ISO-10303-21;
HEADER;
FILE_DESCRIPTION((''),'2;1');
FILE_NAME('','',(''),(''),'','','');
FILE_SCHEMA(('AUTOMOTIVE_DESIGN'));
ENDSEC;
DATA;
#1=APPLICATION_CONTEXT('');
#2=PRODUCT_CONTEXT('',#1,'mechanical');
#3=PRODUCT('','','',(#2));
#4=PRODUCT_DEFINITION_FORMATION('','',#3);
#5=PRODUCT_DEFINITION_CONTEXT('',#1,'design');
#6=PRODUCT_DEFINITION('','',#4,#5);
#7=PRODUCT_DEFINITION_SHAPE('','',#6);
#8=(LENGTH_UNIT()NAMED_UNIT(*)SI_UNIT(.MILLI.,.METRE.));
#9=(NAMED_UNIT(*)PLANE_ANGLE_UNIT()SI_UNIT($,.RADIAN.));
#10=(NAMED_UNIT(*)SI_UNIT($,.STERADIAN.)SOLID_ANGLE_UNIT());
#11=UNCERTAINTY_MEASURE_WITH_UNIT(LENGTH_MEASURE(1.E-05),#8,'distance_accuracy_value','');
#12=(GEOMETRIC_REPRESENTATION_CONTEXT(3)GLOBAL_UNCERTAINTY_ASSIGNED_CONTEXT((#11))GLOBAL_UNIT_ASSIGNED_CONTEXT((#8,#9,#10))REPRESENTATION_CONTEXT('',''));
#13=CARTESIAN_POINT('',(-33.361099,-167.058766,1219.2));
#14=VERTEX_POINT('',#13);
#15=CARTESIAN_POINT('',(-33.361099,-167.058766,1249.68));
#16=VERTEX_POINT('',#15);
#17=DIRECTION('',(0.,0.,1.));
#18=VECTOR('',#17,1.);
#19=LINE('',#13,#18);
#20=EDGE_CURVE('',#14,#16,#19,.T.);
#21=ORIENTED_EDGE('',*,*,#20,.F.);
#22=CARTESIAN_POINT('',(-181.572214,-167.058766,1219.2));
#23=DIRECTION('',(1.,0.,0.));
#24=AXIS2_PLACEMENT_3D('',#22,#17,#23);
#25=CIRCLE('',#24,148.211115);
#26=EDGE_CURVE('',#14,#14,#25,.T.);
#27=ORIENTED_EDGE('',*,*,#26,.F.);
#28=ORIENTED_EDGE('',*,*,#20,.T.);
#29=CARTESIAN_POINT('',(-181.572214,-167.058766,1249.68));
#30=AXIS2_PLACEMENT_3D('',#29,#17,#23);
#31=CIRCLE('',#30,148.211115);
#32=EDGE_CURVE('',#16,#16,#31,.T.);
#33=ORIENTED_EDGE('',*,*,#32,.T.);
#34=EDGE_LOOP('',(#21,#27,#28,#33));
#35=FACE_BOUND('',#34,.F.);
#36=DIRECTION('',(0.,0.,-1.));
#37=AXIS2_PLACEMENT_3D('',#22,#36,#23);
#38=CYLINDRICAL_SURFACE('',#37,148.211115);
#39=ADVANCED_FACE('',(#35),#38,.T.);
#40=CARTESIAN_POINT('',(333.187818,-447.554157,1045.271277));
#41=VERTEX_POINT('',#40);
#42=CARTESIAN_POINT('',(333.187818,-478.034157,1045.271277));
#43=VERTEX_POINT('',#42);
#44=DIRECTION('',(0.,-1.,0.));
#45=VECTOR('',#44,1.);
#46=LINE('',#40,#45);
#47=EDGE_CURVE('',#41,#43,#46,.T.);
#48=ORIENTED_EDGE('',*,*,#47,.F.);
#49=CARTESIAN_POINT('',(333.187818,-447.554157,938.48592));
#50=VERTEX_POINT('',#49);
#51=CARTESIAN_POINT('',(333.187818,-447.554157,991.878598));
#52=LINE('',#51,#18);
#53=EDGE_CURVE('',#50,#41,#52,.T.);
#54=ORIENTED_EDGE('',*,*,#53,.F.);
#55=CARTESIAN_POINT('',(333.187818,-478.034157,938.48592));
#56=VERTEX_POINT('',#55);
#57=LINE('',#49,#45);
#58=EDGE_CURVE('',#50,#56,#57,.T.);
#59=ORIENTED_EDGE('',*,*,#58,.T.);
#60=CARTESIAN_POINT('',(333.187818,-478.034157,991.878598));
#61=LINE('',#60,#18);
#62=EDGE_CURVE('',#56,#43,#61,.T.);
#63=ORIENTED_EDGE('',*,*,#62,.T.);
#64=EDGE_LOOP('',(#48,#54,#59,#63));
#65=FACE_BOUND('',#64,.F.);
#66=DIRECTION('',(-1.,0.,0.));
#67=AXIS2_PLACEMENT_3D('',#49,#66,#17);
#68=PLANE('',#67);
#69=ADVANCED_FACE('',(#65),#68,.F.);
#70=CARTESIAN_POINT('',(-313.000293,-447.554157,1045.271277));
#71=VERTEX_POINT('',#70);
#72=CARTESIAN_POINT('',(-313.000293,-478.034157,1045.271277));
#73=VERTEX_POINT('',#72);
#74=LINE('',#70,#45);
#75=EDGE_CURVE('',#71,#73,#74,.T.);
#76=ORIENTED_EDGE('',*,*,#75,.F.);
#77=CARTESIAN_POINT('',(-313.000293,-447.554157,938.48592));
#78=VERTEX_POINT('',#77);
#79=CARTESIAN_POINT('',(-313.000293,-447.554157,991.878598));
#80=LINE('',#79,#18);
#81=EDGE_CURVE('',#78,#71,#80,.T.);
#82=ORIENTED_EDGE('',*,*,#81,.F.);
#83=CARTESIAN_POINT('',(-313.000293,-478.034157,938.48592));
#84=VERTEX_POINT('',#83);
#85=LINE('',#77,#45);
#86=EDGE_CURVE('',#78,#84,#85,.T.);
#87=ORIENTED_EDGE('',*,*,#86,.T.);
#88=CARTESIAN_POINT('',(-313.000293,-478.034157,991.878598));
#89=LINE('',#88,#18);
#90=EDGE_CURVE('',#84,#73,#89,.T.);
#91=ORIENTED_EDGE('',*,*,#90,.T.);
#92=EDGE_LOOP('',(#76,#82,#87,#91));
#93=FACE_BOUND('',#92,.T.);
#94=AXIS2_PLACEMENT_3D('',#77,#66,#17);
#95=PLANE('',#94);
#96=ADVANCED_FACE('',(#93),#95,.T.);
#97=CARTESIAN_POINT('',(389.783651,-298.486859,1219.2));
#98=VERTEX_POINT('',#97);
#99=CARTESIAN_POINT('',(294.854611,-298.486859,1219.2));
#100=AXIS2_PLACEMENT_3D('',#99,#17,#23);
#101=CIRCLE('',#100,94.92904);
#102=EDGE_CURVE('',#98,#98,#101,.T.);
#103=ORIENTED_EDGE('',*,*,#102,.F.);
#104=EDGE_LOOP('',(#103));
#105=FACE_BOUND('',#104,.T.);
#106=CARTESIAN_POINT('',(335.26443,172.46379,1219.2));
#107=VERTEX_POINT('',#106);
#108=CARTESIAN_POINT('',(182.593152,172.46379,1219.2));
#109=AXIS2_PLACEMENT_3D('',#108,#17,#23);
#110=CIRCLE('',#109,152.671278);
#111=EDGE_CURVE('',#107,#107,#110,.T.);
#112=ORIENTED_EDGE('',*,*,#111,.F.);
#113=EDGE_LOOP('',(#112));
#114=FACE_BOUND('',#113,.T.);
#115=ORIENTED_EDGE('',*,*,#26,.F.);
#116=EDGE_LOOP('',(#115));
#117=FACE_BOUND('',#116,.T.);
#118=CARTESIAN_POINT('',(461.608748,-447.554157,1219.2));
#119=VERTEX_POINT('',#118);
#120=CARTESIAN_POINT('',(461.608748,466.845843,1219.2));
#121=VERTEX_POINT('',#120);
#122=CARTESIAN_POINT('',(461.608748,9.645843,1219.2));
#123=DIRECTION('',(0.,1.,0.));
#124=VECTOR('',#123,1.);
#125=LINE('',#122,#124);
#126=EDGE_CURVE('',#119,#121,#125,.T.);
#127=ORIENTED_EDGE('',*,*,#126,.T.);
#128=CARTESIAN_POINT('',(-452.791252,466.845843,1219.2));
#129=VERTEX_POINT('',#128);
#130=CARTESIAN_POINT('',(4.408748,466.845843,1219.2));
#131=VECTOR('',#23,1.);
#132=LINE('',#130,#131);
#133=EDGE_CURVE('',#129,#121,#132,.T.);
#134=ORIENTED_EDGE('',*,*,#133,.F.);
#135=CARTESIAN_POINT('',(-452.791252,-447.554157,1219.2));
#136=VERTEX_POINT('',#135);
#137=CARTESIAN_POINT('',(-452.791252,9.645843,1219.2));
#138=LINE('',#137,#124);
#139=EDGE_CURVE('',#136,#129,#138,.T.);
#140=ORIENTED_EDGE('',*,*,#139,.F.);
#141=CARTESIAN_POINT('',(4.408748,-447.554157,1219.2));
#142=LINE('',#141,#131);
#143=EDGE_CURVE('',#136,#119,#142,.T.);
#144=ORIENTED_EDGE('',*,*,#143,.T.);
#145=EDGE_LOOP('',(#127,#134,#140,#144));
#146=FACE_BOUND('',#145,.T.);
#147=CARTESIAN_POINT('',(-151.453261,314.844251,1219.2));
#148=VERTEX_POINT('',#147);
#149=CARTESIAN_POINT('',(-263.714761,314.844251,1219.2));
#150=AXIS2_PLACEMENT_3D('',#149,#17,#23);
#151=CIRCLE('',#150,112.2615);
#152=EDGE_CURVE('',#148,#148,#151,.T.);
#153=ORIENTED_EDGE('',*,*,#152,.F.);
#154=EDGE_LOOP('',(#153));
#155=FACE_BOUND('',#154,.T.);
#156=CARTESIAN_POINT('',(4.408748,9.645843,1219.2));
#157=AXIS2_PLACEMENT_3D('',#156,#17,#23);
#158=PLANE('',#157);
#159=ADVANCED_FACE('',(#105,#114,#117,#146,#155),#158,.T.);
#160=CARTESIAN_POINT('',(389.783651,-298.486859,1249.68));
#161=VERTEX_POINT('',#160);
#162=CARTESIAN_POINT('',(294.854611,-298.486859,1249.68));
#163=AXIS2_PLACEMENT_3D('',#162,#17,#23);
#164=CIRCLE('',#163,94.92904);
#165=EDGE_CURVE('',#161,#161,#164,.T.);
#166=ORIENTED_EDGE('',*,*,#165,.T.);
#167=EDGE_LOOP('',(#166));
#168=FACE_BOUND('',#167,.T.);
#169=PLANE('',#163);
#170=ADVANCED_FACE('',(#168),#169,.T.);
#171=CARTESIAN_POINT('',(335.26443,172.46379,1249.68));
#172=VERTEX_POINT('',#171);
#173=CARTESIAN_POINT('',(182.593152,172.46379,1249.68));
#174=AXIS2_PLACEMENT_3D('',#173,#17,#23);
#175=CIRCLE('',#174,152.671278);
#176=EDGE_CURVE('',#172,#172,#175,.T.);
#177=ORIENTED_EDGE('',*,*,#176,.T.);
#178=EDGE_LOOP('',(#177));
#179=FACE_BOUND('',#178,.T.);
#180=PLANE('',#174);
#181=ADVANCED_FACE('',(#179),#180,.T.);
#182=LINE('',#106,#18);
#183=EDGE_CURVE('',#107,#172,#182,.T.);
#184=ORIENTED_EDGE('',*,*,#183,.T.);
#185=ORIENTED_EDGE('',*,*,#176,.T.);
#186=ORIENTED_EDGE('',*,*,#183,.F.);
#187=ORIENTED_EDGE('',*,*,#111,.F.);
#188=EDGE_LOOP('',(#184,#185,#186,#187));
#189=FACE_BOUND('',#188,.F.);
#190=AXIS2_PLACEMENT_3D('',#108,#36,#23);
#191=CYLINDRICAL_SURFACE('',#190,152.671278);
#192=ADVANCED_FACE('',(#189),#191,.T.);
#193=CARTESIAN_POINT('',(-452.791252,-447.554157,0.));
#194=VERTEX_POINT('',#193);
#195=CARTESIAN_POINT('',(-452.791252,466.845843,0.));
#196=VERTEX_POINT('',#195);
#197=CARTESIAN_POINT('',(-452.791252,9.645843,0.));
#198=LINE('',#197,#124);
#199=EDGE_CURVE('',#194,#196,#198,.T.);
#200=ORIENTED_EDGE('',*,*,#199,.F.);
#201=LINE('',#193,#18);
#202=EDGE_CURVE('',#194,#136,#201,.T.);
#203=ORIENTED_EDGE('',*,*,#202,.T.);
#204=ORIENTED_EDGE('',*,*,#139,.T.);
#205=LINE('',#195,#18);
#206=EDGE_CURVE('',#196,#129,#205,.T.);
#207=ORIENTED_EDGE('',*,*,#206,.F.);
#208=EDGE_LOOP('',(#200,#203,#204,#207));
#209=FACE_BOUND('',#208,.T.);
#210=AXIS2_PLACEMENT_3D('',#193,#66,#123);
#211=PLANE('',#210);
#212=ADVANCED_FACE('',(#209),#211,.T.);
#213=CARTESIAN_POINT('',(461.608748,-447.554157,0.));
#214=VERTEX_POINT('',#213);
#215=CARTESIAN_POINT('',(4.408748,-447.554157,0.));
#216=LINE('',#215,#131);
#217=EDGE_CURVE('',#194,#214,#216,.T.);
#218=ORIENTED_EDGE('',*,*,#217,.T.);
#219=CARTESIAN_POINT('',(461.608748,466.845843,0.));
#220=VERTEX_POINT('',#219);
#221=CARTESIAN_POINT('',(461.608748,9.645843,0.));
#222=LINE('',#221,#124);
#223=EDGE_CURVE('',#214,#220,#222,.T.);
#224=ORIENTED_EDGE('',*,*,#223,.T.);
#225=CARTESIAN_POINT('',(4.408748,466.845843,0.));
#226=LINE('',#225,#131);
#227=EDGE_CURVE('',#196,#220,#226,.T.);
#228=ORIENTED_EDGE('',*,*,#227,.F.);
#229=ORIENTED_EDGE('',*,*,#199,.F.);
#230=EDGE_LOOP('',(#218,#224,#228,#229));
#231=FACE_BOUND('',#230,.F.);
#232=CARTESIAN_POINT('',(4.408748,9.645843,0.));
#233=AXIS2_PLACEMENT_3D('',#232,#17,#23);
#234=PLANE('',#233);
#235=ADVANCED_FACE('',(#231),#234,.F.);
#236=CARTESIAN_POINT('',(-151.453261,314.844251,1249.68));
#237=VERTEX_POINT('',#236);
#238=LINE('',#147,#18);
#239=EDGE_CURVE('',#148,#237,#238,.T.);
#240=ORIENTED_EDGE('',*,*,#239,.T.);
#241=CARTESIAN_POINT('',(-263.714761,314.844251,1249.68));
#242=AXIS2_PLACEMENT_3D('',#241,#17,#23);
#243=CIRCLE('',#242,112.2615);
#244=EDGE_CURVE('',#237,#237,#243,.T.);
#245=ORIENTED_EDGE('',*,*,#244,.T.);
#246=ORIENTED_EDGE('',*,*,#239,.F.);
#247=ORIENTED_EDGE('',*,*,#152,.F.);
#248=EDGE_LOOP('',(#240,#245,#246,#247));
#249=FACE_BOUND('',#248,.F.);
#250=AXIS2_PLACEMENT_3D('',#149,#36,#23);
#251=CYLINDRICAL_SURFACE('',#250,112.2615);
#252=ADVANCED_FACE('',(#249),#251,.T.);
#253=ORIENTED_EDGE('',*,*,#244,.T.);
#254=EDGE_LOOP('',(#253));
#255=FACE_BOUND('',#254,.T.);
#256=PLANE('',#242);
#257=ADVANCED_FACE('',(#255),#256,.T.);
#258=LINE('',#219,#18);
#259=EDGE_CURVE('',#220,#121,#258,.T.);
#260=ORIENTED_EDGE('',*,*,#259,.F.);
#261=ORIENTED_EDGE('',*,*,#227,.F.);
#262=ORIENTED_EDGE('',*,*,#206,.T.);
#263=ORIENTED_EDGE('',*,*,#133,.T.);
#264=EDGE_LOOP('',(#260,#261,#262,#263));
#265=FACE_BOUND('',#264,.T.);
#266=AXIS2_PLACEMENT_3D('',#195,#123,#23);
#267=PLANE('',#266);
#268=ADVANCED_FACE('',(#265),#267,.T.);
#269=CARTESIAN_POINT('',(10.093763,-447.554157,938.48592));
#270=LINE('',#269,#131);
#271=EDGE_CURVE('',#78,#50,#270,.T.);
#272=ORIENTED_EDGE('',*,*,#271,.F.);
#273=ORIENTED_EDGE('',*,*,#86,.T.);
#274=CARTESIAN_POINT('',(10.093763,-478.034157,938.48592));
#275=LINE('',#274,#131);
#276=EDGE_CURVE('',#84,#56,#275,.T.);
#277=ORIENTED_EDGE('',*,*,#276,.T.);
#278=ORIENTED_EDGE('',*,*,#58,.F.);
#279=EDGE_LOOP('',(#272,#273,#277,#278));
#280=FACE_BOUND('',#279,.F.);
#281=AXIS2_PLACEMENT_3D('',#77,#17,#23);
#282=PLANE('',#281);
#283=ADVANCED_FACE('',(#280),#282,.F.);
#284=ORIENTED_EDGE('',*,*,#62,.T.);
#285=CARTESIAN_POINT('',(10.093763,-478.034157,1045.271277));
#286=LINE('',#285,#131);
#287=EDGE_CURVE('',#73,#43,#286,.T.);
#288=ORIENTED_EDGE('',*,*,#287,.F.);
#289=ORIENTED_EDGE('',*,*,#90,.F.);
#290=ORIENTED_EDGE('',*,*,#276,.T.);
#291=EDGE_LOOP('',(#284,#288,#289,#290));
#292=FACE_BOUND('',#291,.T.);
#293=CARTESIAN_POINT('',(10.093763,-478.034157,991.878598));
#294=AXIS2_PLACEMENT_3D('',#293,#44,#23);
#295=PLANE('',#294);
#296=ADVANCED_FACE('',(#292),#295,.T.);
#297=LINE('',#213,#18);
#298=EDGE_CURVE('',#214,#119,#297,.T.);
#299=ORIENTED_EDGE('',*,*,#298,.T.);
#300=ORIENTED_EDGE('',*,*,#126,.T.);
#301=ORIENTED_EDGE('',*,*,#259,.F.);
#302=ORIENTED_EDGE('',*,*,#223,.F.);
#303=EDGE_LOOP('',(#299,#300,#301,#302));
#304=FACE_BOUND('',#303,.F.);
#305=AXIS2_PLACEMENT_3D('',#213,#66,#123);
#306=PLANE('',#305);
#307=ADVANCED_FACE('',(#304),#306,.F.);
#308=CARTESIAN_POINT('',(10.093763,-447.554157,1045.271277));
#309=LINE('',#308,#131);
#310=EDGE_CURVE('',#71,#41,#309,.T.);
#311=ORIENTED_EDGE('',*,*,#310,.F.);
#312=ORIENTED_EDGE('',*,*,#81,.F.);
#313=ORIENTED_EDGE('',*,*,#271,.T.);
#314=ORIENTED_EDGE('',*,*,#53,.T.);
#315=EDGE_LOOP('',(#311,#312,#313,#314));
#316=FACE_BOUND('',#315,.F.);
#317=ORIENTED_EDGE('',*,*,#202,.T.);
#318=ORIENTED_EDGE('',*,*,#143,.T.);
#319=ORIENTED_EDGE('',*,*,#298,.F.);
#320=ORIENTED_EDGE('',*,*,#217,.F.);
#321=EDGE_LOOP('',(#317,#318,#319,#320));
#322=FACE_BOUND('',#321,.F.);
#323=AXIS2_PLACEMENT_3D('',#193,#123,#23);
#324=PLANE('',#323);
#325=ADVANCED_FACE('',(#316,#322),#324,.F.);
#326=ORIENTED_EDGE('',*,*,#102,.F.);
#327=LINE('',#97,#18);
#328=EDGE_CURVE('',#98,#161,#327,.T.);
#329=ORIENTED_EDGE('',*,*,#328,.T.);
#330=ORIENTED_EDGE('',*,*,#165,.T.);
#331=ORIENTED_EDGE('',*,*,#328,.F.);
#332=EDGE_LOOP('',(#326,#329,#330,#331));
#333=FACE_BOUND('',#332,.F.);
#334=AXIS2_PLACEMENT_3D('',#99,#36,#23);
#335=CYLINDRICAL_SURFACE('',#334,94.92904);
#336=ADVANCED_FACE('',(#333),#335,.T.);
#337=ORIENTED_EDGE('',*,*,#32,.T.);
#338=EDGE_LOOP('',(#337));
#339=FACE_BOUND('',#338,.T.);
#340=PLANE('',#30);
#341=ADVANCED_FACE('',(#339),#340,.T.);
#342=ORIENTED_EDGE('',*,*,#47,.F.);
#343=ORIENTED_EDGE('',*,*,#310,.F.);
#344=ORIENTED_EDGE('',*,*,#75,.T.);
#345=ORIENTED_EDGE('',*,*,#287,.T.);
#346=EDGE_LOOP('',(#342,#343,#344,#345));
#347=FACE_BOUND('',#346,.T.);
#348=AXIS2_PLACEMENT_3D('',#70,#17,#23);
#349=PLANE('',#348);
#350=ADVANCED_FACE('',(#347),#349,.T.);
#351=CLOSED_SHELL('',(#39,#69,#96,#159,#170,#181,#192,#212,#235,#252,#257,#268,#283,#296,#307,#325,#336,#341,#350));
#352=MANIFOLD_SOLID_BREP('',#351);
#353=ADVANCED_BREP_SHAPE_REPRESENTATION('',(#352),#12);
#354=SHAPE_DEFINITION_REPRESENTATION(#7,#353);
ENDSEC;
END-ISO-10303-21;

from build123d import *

# Parameters (mm, degrees)
F0_W     = 914.4
F0_H     = 914.4
F1_DEPTH = 1219.2
F2_R     = 112.2615
F2_R_2   = 94.92904
F2_R_3   = 152.671278
F2_R_4   = 148.211115
F3_DEPTH = 30.48
F4_W     = 646.188111
F4_H     = 106.785357
F5_DEPTH = 30.48


with BuildPart() as f1:
    # F0 (on Top) → F1 (new body)
    with BuildSketch(Plane.XY):
        with Locations((4.408748, 9.645843)):
            Rectangle(F0_W, F0_H)
    extrude(amount=F1_DEPTH)

    # F2 (on face) → F3 (join)
    with BuildSketch(Plane.XY.offset(1219.2)):
        with Locations((-263.714761, 314.844251)):
            Circle(F2_R)
        with Locations((294.854611, -298.486859)):
            Circle(F2_R_2)
        with Locations((182.593152, 172.46379)):
            Circle(F2_R_3)
        with Locations((-181.572214, -167.058766)):
            Circle(F2_R_4)
    extrude(amount=F3_DEPTH)

    # F4 (on face) → F5 (join)
    with BuildSketch(Plane.XZ.offset(447.554157)):
        with Locations((10.093763, 991.878598)):
            Rectangle(F4_W, F4_H)
    extrude(amount=F5_DEPTH)


solid = f1.part
